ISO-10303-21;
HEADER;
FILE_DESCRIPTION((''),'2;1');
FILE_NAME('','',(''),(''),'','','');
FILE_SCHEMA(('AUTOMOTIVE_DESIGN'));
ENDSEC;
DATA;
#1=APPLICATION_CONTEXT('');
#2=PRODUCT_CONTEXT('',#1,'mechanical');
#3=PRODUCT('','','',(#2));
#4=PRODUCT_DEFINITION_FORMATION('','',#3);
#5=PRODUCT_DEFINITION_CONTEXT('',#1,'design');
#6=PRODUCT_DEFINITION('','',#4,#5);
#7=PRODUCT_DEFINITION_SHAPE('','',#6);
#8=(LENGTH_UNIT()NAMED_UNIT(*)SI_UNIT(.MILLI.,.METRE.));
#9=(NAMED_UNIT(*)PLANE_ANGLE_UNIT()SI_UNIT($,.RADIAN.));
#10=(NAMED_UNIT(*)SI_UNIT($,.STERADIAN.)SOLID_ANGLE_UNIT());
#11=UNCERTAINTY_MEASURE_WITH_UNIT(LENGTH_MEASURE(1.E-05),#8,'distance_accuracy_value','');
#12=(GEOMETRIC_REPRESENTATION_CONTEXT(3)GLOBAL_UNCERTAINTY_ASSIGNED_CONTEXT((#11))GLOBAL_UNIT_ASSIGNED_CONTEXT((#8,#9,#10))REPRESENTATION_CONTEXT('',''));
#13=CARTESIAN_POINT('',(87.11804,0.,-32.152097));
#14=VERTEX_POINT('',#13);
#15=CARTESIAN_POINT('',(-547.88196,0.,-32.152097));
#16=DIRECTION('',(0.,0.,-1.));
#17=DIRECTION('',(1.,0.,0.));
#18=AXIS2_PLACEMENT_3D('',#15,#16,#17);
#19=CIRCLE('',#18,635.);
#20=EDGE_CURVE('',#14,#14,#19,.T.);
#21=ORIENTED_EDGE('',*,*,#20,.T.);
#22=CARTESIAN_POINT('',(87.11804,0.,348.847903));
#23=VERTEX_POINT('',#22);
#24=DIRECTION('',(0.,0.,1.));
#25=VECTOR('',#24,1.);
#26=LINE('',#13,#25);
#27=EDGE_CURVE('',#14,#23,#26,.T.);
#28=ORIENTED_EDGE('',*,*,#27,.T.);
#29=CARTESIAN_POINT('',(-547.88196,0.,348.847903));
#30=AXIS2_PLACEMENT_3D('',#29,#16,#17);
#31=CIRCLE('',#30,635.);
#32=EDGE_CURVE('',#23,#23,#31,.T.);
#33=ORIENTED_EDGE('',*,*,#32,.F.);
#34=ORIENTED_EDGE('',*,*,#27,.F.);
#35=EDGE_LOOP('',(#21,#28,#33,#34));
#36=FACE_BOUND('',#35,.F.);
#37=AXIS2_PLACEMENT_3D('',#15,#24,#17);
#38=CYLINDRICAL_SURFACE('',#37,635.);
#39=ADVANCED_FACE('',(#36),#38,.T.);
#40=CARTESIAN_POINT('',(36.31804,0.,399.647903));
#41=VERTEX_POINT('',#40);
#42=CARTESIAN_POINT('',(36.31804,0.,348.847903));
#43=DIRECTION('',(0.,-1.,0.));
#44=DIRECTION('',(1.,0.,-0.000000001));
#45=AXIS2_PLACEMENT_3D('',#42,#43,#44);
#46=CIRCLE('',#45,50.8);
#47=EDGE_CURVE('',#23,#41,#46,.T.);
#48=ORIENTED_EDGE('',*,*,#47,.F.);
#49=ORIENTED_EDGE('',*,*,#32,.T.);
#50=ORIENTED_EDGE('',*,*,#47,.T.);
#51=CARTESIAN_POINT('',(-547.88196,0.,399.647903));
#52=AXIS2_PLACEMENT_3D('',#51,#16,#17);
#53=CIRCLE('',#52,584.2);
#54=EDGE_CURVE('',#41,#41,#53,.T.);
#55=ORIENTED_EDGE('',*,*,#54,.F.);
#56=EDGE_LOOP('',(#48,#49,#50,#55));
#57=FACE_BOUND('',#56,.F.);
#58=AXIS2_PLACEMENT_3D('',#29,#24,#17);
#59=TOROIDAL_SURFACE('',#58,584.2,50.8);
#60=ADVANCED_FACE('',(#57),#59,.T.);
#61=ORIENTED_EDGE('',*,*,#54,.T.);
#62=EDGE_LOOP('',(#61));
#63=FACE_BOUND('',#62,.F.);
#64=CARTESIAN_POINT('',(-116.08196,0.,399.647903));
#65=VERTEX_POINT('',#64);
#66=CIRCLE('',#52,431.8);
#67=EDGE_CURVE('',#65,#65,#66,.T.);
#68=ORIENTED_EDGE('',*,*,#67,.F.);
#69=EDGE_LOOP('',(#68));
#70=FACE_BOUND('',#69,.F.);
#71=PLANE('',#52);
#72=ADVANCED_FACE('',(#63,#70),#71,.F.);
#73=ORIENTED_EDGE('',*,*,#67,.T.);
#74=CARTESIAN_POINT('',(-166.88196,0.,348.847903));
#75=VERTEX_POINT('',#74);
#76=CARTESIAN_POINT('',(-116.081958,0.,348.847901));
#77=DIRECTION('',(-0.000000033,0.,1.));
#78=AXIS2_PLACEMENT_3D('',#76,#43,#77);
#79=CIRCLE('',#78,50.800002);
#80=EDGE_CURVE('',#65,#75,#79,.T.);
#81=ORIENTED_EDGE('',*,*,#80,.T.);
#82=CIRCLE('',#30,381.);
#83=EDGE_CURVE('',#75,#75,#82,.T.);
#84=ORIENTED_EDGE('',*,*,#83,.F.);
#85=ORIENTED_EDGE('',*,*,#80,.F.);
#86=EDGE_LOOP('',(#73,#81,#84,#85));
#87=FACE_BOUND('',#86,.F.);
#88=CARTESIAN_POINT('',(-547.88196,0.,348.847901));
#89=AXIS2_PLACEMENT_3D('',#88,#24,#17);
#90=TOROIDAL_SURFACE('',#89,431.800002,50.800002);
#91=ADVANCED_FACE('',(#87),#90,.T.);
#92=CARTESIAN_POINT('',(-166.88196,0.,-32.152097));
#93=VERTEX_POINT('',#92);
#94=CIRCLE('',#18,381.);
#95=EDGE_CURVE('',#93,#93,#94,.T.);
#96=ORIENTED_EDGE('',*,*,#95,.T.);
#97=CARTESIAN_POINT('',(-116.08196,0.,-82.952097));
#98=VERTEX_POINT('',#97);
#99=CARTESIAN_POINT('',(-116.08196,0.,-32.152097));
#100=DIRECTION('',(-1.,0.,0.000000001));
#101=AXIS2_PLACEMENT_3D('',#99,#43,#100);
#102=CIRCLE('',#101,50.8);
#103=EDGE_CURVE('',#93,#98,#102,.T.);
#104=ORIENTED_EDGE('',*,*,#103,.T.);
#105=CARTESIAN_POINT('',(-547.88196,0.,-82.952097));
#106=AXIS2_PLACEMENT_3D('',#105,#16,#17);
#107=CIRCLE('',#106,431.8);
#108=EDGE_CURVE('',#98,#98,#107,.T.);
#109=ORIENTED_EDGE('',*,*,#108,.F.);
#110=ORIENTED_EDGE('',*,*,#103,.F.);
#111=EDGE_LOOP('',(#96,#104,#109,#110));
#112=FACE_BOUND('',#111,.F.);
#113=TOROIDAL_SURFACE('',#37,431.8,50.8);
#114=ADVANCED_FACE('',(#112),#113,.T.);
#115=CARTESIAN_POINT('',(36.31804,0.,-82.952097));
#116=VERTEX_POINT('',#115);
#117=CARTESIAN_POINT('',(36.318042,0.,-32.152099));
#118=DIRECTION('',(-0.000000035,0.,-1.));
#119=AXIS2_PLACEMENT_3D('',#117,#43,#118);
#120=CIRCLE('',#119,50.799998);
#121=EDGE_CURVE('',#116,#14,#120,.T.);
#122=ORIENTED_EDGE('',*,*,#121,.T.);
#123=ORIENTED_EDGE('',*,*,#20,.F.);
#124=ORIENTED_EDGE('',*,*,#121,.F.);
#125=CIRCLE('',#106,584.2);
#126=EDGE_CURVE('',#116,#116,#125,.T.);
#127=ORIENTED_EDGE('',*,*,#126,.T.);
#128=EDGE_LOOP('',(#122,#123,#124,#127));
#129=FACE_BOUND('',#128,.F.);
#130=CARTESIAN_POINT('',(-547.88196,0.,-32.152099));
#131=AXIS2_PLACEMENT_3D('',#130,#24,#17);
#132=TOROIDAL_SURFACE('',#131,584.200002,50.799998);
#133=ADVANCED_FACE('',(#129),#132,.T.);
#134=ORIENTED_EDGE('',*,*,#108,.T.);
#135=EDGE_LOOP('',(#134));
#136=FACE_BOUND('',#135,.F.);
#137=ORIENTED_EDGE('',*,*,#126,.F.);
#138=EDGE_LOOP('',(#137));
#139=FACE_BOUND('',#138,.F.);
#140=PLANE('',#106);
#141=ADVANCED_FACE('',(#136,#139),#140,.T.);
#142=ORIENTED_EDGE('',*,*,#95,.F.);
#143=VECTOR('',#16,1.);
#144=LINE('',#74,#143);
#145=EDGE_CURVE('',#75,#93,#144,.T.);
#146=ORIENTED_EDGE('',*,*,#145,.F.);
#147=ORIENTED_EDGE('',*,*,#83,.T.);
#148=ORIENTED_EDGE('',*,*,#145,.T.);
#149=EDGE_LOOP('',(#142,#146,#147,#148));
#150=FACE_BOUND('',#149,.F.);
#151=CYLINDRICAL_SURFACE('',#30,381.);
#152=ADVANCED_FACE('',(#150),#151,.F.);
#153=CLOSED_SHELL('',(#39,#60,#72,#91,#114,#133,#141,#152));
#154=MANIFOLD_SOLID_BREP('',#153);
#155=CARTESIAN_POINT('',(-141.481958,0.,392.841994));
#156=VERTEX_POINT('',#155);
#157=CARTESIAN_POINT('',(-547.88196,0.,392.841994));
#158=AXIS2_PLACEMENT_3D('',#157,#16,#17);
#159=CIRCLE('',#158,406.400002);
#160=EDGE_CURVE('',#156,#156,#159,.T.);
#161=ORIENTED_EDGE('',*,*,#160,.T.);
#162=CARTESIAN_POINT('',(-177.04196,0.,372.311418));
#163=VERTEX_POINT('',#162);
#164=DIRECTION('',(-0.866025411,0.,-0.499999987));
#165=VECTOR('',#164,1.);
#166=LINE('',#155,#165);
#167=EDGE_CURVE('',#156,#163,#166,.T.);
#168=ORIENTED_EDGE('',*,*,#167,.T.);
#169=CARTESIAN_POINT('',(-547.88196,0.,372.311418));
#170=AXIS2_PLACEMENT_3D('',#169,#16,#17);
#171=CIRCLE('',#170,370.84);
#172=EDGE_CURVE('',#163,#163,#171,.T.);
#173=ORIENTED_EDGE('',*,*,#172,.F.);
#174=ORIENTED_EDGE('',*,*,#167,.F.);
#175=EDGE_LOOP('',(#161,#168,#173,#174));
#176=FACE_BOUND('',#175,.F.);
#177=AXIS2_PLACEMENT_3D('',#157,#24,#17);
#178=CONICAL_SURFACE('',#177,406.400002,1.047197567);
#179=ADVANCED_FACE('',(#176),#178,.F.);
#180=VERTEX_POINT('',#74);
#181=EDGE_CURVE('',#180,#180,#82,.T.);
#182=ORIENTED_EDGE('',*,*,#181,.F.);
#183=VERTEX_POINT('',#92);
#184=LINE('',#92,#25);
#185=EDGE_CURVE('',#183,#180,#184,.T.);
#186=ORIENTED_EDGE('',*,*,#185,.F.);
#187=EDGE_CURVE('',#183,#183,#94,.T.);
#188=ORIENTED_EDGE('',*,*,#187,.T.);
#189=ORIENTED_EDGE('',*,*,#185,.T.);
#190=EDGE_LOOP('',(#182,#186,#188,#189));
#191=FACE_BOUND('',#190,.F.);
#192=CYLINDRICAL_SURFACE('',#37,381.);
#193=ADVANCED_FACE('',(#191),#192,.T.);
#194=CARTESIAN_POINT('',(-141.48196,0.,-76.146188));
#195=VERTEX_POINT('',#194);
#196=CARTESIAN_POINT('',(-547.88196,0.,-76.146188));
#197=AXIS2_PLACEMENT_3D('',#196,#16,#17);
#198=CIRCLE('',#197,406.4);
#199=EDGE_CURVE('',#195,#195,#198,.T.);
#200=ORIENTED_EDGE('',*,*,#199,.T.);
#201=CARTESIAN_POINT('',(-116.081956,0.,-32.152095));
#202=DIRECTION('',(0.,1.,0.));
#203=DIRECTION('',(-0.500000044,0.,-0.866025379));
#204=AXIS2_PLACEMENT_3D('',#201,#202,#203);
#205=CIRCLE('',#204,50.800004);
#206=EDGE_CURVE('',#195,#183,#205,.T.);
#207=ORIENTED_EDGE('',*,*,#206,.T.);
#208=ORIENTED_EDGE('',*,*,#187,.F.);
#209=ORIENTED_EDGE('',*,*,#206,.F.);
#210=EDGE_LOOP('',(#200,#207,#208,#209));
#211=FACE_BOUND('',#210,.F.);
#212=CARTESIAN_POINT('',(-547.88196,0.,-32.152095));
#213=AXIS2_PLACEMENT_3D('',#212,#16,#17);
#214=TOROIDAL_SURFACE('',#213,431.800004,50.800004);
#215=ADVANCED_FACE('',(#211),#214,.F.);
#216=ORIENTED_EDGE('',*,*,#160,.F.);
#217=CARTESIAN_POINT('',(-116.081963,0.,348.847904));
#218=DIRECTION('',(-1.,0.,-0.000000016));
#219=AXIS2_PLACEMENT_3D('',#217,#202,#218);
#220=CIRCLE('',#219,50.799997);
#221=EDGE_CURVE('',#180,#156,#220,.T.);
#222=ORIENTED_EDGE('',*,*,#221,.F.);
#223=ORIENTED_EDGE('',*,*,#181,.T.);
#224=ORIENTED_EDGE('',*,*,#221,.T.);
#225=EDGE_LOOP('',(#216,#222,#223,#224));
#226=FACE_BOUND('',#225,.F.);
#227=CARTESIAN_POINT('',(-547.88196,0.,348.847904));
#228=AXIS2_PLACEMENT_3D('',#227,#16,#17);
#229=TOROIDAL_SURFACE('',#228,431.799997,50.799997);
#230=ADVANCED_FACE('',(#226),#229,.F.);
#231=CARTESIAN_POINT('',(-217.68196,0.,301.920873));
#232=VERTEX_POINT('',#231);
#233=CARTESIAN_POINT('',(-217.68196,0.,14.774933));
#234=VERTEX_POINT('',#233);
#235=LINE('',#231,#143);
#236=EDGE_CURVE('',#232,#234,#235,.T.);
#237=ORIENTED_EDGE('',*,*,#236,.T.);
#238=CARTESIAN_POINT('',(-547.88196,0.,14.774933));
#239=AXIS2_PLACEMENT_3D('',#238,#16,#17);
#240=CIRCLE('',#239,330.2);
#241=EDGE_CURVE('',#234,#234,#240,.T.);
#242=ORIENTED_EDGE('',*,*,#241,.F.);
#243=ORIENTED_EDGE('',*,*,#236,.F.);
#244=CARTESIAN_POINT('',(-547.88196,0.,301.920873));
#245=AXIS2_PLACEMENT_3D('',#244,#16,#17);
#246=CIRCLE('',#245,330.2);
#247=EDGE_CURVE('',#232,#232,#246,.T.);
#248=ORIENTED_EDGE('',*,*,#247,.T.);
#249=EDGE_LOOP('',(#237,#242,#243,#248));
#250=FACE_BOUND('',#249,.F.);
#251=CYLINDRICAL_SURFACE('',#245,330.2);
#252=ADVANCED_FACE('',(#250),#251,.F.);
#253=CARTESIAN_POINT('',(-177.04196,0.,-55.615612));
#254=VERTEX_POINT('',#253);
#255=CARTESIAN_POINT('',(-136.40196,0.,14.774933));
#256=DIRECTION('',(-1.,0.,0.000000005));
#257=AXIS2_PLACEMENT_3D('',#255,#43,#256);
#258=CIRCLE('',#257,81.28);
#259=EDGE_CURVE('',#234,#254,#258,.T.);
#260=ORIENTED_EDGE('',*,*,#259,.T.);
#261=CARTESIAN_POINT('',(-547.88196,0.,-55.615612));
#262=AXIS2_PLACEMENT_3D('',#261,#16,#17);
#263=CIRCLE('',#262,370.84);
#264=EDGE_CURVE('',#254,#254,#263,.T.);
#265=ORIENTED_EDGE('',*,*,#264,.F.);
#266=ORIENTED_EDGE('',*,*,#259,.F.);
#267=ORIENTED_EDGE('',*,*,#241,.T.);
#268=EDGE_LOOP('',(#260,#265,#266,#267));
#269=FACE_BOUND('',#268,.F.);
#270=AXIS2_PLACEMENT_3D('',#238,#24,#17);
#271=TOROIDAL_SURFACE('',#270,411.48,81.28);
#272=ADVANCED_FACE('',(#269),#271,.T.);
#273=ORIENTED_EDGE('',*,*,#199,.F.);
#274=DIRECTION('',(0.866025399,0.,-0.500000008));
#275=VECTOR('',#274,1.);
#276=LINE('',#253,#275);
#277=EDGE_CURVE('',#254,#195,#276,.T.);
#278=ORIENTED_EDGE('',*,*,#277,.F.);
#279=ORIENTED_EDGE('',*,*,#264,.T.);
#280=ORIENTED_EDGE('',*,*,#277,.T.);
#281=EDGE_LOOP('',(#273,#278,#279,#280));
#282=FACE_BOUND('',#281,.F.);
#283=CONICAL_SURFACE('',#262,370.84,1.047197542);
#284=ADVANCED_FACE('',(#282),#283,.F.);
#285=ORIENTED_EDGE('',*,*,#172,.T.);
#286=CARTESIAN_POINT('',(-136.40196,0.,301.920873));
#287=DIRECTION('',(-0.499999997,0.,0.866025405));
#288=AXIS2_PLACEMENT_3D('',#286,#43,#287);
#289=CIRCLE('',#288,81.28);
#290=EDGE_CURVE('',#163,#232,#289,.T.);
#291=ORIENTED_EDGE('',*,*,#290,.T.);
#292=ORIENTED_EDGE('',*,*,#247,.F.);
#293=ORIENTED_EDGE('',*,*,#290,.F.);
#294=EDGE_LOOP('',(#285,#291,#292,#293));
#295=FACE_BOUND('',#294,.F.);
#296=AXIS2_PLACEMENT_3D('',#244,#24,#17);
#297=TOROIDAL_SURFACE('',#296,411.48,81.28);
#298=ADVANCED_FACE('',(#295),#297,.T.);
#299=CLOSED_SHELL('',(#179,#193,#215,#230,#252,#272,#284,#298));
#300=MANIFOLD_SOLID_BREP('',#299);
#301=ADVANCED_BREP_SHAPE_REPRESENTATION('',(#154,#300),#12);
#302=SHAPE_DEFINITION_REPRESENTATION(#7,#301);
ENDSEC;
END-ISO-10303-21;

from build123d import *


with BuildPart() as f1:
    # F0 (on Front) → F1 (revolve)
    with BuildSketch(Plane.XZ):
        with BuildLine():
            Line((36.31804, 399.647903), (-116.08196, 399.647903))
            ThreePointArc((-116.08196, 399.647903), (-152.002984, 384.768927), (-166.88196, 348.847903))
            Line((-166.88196, 348.847903), (-166.88196, -32.152097))
            ThreePointArc((-166.88196, -32.152097), (-152.002984, -68.073122), (-116.08196, -82.952097))
            Line((-116.08196, -82.952097), (36.31804, -82.952097))
            ThreePointArc((36.31804, -82.952097), (72.239065, -68.073122), (87.11804, -32.152097))
            Line((87.11804, -32.152097), (87.11804, 348.847903))
            ThreePointArc((87.11804, 348.847903), (72.239065, 384.768927), (36.31804, 399.647903))
        make_face()
    revolve(axis=Axis((-547.88196, 0, 118.63108), (0, 0, -1)))


with BuildPart() as f3:
    # F2 (on face) → F3 (revolve)
    with BuildSketch(Plane.XZ):
        with BuildLine():
            ThreePointArc((-177.04196, 372.311418), (-206.792505, 342.560873), (-217.68196, 301.920873))
            Line((-217.68196, 301.920873), (-217.68196, 14.774933))
            ThreePointArc((-217.68196, 14.774933), (-206.792505, -25.865067), (-177.04196, -55.615612))
            Line((-177.04196, -55.615612), (-141.48196, -76.146188))
            ThreePointArc((-141.48196, -76.146188), (-160.07605, -57.552097), (-166.88196, -32.152097))
            Line((-166.88196, -32.152097), (-166.88196, 348.847903))
            ThreePointArc((-166.88196, 348.847903), (-160.07605, 374.247904), (-141.481958, 392.841994))
            Line((-141.481958, 392.841994), (-177.04196, 372.311418))
        make_face()
    revolve(axis=Axis((-547.88196, 0, 118.63108), (0, 0, -1)))


solid = Compound([f1.part, f3.part])
